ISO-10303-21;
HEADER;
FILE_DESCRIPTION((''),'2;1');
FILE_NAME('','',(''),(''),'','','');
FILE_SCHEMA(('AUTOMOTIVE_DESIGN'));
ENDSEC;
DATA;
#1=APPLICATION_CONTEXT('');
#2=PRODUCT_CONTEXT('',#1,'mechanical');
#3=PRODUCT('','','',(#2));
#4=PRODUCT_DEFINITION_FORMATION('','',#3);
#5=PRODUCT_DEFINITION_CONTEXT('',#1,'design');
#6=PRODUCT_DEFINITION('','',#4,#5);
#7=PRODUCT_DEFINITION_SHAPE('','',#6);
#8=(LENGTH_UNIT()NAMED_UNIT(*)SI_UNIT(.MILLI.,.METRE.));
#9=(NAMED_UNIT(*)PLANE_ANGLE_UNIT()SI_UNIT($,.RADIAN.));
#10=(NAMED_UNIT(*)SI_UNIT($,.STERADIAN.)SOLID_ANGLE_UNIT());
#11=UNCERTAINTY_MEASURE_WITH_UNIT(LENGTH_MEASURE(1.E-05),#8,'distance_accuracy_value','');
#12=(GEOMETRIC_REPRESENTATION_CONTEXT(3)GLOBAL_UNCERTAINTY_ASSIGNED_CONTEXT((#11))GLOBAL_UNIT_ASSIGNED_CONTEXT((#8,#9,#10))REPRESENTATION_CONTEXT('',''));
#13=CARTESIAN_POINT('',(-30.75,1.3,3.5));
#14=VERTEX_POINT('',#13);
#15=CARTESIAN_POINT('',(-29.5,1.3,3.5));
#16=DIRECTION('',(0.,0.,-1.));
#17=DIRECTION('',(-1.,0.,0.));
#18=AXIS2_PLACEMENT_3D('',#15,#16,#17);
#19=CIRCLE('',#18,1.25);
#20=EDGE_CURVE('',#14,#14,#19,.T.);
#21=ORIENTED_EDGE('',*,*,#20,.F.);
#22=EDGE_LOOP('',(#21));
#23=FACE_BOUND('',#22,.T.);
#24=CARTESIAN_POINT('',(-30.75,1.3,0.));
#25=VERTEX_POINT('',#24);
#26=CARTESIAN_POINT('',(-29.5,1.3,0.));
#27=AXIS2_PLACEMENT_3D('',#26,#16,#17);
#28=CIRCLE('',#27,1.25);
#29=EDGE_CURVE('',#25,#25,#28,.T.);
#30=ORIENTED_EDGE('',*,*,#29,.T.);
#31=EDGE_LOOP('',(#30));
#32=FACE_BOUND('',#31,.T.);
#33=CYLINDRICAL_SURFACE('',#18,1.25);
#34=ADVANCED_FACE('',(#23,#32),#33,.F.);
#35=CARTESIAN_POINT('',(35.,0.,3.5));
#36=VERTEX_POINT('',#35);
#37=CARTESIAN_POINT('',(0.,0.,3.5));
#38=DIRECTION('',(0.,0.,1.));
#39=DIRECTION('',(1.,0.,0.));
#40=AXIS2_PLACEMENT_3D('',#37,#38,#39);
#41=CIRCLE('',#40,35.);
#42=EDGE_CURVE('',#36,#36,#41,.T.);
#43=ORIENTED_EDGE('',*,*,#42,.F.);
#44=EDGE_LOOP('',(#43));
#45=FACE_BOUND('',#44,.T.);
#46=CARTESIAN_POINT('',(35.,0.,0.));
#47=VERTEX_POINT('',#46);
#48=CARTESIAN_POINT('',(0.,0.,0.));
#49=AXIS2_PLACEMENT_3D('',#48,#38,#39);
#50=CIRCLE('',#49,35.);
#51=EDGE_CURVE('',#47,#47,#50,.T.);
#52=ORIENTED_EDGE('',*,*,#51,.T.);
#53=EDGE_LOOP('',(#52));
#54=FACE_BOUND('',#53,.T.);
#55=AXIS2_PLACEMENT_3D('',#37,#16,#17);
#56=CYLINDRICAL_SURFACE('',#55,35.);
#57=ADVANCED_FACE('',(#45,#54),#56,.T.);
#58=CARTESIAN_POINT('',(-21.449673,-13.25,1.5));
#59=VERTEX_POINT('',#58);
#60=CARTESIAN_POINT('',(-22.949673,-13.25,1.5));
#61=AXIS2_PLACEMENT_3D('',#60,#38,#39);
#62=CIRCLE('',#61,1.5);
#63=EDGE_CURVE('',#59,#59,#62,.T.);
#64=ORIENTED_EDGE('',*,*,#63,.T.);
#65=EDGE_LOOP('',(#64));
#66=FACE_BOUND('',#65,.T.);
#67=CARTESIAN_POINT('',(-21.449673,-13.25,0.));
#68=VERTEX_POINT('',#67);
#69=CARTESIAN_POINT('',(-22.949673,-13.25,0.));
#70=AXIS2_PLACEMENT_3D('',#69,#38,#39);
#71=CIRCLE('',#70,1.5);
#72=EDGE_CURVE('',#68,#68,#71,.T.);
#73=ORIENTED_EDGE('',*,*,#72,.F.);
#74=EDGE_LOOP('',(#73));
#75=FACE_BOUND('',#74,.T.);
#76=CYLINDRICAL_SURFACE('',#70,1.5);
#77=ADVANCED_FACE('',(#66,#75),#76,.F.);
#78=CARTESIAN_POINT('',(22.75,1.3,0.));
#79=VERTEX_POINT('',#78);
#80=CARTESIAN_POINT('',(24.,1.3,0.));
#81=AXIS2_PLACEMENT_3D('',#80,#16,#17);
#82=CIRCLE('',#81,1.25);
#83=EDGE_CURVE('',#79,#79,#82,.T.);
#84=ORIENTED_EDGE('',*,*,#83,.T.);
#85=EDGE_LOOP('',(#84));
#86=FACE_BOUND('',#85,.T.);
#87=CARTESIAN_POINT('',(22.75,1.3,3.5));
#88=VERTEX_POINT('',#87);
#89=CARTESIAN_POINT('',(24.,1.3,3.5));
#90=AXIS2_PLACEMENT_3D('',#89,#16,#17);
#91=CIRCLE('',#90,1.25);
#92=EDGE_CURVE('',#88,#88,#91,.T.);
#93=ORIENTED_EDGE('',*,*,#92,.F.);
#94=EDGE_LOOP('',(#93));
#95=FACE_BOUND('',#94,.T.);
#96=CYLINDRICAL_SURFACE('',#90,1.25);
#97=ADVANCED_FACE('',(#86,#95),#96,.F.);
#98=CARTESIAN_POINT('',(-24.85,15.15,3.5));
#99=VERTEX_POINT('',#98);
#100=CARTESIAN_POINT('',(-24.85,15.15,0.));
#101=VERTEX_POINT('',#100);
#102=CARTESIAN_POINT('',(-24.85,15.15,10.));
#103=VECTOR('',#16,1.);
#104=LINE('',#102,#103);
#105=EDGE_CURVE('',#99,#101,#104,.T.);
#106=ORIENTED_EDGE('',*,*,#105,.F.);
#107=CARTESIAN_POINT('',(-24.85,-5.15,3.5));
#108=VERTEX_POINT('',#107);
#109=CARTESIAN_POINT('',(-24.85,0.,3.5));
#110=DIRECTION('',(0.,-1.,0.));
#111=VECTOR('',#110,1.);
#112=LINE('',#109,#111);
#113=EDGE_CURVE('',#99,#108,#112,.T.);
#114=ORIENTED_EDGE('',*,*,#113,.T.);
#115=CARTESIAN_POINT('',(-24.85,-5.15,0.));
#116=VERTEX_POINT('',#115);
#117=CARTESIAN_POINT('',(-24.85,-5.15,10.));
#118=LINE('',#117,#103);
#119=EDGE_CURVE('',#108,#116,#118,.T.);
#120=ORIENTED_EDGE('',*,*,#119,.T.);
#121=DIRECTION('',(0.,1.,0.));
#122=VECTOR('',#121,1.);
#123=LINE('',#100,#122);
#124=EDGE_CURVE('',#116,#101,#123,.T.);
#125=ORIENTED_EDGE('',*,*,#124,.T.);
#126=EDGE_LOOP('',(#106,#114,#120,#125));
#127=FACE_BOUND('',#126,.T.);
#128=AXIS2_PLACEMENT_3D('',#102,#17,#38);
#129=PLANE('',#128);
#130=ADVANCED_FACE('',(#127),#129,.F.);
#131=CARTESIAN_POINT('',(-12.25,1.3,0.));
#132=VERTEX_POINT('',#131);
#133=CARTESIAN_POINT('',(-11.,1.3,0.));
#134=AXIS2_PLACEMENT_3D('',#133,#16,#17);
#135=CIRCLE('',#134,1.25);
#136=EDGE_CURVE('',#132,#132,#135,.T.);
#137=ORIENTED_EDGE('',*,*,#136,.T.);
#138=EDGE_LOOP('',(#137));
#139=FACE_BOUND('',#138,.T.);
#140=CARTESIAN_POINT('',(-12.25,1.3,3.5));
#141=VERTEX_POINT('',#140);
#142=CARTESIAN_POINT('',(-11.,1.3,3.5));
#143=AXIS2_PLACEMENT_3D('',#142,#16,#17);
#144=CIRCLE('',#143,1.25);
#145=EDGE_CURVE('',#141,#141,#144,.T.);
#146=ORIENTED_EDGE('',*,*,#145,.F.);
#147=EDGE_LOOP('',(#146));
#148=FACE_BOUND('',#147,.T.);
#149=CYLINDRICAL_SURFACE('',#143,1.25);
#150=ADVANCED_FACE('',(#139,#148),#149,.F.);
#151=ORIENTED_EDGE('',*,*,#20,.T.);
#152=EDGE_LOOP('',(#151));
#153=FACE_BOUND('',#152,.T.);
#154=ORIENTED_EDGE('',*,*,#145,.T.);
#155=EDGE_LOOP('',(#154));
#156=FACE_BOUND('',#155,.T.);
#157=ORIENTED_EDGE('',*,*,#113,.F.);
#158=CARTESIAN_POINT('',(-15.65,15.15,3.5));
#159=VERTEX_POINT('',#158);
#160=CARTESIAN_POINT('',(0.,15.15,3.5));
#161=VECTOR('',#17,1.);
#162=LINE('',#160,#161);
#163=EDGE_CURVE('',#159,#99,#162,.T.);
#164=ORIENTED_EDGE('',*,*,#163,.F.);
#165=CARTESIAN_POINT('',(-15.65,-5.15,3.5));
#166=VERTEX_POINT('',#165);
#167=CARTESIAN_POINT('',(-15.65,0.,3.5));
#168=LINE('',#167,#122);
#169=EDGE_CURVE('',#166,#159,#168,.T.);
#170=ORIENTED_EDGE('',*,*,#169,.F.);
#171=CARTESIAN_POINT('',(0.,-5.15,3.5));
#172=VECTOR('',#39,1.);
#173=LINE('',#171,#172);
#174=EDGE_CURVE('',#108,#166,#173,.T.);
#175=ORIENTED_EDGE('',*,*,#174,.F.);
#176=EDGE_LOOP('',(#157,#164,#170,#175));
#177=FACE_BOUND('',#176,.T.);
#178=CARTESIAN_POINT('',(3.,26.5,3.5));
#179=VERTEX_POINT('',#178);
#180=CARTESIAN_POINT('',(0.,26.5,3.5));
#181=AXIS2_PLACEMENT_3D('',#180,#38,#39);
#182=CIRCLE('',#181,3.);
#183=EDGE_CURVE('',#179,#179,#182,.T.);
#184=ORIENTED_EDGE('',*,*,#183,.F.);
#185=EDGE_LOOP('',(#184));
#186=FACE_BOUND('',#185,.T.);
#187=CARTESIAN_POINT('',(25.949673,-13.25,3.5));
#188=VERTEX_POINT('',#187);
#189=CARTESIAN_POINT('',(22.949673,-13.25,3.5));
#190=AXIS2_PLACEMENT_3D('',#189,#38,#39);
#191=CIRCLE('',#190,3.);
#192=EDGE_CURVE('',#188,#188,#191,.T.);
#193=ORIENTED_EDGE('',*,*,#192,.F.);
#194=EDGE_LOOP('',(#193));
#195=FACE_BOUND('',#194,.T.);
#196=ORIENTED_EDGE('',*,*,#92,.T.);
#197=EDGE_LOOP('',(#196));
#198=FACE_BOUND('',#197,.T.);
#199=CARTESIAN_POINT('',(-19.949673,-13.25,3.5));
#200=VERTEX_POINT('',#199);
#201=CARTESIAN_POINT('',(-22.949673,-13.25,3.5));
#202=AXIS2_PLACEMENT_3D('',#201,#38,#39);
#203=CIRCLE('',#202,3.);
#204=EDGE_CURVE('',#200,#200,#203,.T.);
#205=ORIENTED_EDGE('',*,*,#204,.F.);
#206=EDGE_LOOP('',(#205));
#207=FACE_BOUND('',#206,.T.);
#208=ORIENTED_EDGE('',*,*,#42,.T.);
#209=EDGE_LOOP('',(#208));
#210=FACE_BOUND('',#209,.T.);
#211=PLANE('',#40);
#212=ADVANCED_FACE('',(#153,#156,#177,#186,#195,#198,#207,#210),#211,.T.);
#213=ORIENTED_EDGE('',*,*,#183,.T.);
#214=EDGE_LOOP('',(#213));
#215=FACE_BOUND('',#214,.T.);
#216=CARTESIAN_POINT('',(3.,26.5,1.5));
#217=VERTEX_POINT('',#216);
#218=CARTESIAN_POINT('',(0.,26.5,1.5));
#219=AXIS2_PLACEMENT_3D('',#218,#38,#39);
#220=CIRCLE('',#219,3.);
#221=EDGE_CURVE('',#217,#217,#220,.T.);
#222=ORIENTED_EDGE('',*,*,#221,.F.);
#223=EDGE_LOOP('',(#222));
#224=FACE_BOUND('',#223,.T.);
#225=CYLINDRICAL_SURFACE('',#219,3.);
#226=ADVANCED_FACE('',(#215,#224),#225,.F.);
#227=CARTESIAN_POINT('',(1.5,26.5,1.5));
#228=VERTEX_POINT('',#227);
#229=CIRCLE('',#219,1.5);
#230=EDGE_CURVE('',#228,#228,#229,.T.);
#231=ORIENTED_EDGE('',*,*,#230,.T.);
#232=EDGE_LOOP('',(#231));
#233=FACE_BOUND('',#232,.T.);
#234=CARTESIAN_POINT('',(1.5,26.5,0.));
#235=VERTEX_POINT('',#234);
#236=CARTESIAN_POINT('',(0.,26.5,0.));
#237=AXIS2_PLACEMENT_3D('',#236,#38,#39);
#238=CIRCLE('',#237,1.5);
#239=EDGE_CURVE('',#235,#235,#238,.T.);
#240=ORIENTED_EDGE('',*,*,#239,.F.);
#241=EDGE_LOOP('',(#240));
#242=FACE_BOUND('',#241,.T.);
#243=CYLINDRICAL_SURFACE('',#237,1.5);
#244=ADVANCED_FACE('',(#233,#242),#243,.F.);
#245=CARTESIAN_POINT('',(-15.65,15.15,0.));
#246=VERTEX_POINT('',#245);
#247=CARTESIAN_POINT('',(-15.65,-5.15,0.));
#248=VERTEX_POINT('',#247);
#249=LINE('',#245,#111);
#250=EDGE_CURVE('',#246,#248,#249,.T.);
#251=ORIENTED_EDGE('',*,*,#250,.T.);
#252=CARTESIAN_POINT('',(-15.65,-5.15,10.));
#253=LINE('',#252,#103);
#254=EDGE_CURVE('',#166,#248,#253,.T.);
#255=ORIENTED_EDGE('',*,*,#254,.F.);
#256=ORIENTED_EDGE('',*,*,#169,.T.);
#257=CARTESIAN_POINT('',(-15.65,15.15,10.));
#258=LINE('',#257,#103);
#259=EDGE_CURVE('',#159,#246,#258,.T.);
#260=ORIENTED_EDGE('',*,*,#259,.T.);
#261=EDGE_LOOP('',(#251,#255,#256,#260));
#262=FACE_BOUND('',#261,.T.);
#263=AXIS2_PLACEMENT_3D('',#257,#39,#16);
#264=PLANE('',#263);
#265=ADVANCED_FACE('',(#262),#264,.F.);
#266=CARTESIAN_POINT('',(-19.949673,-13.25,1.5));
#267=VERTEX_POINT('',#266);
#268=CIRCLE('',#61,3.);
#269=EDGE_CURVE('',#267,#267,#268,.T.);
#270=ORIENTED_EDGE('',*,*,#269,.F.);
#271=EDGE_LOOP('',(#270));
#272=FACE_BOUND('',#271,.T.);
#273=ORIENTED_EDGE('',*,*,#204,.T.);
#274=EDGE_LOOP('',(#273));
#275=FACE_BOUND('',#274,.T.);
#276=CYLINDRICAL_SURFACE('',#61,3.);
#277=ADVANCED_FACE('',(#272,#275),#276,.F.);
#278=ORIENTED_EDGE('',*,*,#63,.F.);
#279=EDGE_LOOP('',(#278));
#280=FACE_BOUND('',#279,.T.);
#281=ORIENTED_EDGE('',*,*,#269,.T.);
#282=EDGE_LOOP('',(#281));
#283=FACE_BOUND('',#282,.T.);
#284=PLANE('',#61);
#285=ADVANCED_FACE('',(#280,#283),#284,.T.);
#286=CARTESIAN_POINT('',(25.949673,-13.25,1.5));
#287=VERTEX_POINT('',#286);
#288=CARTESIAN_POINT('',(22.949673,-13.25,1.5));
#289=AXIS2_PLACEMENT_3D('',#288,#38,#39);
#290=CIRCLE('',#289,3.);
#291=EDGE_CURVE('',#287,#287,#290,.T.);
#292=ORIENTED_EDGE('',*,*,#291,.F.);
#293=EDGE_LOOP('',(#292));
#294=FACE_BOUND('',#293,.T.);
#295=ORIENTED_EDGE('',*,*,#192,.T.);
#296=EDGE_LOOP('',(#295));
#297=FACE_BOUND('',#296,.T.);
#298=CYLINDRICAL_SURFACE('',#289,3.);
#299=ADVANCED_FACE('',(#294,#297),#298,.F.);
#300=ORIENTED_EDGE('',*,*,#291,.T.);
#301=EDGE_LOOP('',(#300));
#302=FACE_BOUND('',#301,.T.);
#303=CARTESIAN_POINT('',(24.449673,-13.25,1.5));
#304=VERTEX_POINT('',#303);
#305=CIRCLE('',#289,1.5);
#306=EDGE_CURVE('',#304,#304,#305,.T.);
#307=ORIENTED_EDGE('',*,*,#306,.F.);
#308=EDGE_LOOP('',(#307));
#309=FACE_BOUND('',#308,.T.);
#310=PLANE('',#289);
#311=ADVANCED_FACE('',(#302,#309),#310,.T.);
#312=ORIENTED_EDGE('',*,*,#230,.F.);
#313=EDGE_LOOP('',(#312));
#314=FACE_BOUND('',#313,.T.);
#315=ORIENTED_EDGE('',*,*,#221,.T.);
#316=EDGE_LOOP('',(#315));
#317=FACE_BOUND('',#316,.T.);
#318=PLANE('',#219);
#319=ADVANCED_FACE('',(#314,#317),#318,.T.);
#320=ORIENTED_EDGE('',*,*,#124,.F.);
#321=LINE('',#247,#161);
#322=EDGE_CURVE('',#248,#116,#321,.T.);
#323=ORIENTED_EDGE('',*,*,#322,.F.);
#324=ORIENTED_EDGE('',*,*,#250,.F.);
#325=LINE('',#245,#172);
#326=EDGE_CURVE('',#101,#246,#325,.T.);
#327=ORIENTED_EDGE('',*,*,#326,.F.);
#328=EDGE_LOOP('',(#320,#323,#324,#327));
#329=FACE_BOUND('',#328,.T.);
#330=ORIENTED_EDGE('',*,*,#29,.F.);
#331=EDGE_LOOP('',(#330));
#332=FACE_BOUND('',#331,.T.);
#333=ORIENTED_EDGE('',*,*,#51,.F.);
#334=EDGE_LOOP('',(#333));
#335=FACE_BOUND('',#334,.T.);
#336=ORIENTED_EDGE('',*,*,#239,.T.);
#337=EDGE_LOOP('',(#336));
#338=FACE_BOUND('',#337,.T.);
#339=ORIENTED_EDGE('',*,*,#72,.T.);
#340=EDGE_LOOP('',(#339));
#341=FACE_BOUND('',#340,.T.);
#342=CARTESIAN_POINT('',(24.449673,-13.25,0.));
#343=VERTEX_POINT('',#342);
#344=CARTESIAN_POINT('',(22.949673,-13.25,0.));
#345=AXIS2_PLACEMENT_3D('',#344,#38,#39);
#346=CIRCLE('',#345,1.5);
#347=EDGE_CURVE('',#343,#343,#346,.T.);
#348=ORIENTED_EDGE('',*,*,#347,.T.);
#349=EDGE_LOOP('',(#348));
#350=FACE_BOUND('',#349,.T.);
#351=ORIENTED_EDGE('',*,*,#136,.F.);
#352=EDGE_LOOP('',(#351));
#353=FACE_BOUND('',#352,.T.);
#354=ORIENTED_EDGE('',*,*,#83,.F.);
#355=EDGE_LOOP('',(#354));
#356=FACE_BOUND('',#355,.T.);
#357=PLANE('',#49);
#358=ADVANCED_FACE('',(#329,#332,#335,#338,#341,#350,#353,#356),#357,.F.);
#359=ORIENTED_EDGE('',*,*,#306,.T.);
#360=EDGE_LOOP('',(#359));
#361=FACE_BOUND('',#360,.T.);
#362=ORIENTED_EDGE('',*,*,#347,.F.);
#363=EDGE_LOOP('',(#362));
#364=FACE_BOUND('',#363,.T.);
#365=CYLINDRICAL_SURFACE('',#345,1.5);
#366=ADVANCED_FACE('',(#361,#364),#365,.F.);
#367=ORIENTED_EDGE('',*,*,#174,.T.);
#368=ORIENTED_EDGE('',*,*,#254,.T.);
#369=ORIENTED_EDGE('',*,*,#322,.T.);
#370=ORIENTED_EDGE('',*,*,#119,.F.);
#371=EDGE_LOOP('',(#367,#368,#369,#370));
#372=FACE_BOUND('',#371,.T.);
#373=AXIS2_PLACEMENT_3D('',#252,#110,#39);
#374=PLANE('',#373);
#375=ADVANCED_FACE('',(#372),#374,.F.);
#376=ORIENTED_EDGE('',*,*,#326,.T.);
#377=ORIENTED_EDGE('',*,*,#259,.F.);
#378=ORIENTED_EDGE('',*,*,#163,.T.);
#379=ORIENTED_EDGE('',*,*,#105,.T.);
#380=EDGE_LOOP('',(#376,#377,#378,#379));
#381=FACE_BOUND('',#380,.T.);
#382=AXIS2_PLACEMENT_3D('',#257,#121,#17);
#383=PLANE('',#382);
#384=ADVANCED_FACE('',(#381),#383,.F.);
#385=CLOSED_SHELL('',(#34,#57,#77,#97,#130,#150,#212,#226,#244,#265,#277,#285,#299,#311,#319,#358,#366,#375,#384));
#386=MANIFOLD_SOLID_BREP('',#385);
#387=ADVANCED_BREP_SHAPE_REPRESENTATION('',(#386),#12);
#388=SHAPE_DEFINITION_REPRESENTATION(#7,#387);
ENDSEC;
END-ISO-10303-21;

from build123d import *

# Parameters (mm, degrees)
CROQUIS2_R              = 35
SALIENTE_EXTRUIR1_DEPTH = 3.5
CROQUIS6_R              = 3
CORTAR_EXTRUIR2_DEPTH   = 2
CROQUIS7_R              = 1.5
CORTAR_EXTRUIR3_DEPTH   = 50.621064076
CROQUIS9_R              = 1.25
CORTAR_EXTRUIR5_DEPTH   = 50.621064076
CROQUIS10_W             = 9.2
CROQUIS10_H             = 20.3
CORTAR_EXTRUIR6_DEPTH   = 10


with BuildPart() as part:
    # Croquis2 → Saliente-Extruir1 (new body)
    with BuildSketch(Plane.XY):
        Circle(CROQUIS2_R)
    extrude(amount=SALIENTE_EXTRUIR1_DEPTH)

    # Croquis6 → Cortar-Extruir2 (cut)
    with BuildSketch(Plane.XY.offset(3.5)):
        with Locations((0, 26.5)):
            Circle(CROQUIS6_R)
        with Locations((22.9496732, -13.25)):
            Circle(CROQUIS6_R)
        with Locations((-22.9496732, -13.25)):
            Circle(CROQUIS6_R)
    extrude(amount=-CORTAR_EXTRUIR2_DEPTH, mode=Mode.SUBTRACT)

    # Croquis7 → Cortar-Extruir3 (cut, through all)
    with BuildSketch(Plane.XY.offset(3.5)):
        with Locations((0, 26.5)):
            Circle(CROQUIS7_R)
        with Locations((22.9496732, -13.25)):
            Circle(CROQUIS7_R)
        with Locations((-22.9496732, -13.25)):
            Circle(CROQUIS7_R)
    extrude(amount=-CORTAR_EXTRUIR3_DEPTH, mode=Mode.SUBTRACT)

    # Croquis9 → Cortar-Extruir5 (cut, through all)
    with BuildSketch(Plane(origin=(0, 0, 0), x_dir=(-1, 0, 0), z_dir=(0, 0, -1))):
        with Locations((-24, 1.3)):
            Circle(CROQUIS9_R)
        with Locations((11, 1.3)):
            Circle(CROQUIS9_R)
        with Locations((29.5, 1.3)):
            Circle(CROQUIS9_R)
    extrude(amount=-CORTAR_EXTRUIR5_DEPTH, mode=Mode.SUBTRACT)

    # Croquis10 → Cortar-Extruir6 (cut)
    with BuildSketch(Plane(origin=(0, 0, 0), x_dir=(-1, 0, 0), z_dir=(0, 0, -1))):
        with Locations((20.25, 5)):
            Rectangle(CROQUIS10_W, CROQUIS10_H)
    extrude(amount=-CORTAR_EXTRUIR6_DEPTH, mode=Mode.SUBTRACT)


solid = part.part
